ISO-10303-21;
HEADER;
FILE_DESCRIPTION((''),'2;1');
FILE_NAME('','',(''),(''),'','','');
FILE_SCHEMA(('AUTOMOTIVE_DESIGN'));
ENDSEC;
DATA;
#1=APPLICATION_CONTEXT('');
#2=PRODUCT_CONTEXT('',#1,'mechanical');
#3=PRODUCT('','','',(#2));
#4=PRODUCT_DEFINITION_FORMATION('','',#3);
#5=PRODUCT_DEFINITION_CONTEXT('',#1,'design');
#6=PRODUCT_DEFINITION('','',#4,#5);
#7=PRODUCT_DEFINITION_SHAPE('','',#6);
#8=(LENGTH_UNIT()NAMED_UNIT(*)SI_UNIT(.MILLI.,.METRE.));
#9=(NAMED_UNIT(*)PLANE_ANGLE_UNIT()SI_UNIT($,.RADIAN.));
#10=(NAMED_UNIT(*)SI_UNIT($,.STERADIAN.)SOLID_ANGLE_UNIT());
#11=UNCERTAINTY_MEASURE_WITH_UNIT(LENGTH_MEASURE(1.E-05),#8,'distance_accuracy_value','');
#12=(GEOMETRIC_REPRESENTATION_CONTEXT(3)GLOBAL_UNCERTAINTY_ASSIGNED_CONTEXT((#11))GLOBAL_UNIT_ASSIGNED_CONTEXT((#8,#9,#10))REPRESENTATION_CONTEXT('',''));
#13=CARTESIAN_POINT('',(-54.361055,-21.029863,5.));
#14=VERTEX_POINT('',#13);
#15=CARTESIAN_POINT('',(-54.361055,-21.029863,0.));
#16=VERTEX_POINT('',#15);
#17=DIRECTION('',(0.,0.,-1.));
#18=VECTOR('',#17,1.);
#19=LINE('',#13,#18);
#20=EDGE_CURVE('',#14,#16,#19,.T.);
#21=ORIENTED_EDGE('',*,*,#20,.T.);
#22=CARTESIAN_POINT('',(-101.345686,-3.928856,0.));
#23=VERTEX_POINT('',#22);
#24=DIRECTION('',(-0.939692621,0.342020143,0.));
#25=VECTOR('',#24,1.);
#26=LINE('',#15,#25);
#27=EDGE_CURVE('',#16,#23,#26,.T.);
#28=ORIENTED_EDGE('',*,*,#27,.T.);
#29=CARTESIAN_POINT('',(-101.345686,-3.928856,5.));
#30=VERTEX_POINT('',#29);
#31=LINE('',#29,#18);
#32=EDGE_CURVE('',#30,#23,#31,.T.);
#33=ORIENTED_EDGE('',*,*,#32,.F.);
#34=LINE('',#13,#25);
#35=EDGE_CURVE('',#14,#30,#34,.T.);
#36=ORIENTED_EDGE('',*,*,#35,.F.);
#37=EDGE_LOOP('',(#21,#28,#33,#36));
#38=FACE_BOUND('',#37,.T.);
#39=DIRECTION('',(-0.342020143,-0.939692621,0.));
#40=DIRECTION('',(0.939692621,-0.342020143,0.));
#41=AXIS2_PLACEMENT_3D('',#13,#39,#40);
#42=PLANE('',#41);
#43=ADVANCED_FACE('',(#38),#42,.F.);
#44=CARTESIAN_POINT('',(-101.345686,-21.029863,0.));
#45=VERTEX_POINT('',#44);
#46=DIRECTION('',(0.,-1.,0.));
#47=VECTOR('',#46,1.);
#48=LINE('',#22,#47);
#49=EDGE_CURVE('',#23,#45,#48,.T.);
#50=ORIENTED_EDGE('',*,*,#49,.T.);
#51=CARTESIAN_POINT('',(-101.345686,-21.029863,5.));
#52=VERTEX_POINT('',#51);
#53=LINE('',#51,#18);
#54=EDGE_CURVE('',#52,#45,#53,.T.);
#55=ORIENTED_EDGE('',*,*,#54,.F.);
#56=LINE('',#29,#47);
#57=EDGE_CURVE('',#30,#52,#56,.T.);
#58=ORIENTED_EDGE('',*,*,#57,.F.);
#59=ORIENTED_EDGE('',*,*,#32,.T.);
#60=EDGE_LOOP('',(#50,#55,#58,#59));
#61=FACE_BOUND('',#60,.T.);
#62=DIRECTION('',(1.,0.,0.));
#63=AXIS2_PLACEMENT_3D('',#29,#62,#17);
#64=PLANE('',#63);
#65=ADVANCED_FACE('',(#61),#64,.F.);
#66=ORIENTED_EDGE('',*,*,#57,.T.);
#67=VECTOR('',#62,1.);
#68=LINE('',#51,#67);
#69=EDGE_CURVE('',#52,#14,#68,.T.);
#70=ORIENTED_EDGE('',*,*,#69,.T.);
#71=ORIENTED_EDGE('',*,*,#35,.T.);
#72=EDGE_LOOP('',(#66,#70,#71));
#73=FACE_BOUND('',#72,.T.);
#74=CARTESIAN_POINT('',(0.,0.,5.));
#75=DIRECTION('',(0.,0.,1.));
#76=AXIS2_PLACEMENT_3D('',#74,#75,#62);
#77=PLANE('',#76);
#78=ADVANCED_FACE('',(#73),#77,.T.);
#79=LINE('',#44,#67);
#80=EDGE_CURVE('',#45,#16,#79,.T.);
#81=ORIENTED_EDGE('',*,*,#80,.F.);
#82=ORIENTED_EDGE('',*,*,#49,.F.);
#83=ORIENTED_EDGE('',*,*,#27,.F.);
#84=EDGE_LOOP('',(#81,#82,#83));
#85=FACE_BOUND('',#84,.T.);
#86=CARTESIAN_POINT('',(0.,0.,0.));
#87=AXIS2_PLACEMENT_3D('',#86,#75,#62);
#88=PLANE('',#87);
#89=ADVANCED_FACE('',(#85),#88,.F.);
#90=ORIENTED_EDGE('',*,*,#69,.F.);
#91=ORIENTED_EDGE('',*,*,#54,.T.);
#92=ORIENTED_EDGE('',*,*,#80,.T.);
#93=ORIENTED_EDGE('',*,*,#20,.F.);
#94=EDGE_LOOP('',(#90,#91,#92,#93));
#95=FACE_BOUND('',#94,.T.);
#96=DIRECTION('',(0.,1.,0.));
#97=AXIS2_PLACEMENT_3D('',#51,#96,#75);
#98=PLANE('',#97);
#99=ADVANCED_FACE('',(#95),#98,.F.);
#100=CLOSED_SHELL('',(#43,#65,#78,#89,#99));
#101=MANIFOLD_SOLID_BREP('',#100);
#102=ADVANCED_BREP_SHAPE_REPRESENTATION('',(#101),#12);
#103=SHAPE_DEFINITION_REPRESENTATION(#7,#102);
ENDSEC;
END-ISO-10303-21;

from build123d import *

# Parameters (mm, degrees)
BOSS_EXTRU_1_DEPTH = 5


with BuildPart() as part:
    # Esquisse1 → Boss.-Extru.1 (new body)
    with BuildSketch(Plane.XY):
        Polygon((-101.345686196, -21.029863319), (-54.361055156, -21.029863319), (-101.345686196, -3.928856153), align=None)
    extrude(amount=BOSS_EXTRU_1_DEPTH)


solid = part.part
